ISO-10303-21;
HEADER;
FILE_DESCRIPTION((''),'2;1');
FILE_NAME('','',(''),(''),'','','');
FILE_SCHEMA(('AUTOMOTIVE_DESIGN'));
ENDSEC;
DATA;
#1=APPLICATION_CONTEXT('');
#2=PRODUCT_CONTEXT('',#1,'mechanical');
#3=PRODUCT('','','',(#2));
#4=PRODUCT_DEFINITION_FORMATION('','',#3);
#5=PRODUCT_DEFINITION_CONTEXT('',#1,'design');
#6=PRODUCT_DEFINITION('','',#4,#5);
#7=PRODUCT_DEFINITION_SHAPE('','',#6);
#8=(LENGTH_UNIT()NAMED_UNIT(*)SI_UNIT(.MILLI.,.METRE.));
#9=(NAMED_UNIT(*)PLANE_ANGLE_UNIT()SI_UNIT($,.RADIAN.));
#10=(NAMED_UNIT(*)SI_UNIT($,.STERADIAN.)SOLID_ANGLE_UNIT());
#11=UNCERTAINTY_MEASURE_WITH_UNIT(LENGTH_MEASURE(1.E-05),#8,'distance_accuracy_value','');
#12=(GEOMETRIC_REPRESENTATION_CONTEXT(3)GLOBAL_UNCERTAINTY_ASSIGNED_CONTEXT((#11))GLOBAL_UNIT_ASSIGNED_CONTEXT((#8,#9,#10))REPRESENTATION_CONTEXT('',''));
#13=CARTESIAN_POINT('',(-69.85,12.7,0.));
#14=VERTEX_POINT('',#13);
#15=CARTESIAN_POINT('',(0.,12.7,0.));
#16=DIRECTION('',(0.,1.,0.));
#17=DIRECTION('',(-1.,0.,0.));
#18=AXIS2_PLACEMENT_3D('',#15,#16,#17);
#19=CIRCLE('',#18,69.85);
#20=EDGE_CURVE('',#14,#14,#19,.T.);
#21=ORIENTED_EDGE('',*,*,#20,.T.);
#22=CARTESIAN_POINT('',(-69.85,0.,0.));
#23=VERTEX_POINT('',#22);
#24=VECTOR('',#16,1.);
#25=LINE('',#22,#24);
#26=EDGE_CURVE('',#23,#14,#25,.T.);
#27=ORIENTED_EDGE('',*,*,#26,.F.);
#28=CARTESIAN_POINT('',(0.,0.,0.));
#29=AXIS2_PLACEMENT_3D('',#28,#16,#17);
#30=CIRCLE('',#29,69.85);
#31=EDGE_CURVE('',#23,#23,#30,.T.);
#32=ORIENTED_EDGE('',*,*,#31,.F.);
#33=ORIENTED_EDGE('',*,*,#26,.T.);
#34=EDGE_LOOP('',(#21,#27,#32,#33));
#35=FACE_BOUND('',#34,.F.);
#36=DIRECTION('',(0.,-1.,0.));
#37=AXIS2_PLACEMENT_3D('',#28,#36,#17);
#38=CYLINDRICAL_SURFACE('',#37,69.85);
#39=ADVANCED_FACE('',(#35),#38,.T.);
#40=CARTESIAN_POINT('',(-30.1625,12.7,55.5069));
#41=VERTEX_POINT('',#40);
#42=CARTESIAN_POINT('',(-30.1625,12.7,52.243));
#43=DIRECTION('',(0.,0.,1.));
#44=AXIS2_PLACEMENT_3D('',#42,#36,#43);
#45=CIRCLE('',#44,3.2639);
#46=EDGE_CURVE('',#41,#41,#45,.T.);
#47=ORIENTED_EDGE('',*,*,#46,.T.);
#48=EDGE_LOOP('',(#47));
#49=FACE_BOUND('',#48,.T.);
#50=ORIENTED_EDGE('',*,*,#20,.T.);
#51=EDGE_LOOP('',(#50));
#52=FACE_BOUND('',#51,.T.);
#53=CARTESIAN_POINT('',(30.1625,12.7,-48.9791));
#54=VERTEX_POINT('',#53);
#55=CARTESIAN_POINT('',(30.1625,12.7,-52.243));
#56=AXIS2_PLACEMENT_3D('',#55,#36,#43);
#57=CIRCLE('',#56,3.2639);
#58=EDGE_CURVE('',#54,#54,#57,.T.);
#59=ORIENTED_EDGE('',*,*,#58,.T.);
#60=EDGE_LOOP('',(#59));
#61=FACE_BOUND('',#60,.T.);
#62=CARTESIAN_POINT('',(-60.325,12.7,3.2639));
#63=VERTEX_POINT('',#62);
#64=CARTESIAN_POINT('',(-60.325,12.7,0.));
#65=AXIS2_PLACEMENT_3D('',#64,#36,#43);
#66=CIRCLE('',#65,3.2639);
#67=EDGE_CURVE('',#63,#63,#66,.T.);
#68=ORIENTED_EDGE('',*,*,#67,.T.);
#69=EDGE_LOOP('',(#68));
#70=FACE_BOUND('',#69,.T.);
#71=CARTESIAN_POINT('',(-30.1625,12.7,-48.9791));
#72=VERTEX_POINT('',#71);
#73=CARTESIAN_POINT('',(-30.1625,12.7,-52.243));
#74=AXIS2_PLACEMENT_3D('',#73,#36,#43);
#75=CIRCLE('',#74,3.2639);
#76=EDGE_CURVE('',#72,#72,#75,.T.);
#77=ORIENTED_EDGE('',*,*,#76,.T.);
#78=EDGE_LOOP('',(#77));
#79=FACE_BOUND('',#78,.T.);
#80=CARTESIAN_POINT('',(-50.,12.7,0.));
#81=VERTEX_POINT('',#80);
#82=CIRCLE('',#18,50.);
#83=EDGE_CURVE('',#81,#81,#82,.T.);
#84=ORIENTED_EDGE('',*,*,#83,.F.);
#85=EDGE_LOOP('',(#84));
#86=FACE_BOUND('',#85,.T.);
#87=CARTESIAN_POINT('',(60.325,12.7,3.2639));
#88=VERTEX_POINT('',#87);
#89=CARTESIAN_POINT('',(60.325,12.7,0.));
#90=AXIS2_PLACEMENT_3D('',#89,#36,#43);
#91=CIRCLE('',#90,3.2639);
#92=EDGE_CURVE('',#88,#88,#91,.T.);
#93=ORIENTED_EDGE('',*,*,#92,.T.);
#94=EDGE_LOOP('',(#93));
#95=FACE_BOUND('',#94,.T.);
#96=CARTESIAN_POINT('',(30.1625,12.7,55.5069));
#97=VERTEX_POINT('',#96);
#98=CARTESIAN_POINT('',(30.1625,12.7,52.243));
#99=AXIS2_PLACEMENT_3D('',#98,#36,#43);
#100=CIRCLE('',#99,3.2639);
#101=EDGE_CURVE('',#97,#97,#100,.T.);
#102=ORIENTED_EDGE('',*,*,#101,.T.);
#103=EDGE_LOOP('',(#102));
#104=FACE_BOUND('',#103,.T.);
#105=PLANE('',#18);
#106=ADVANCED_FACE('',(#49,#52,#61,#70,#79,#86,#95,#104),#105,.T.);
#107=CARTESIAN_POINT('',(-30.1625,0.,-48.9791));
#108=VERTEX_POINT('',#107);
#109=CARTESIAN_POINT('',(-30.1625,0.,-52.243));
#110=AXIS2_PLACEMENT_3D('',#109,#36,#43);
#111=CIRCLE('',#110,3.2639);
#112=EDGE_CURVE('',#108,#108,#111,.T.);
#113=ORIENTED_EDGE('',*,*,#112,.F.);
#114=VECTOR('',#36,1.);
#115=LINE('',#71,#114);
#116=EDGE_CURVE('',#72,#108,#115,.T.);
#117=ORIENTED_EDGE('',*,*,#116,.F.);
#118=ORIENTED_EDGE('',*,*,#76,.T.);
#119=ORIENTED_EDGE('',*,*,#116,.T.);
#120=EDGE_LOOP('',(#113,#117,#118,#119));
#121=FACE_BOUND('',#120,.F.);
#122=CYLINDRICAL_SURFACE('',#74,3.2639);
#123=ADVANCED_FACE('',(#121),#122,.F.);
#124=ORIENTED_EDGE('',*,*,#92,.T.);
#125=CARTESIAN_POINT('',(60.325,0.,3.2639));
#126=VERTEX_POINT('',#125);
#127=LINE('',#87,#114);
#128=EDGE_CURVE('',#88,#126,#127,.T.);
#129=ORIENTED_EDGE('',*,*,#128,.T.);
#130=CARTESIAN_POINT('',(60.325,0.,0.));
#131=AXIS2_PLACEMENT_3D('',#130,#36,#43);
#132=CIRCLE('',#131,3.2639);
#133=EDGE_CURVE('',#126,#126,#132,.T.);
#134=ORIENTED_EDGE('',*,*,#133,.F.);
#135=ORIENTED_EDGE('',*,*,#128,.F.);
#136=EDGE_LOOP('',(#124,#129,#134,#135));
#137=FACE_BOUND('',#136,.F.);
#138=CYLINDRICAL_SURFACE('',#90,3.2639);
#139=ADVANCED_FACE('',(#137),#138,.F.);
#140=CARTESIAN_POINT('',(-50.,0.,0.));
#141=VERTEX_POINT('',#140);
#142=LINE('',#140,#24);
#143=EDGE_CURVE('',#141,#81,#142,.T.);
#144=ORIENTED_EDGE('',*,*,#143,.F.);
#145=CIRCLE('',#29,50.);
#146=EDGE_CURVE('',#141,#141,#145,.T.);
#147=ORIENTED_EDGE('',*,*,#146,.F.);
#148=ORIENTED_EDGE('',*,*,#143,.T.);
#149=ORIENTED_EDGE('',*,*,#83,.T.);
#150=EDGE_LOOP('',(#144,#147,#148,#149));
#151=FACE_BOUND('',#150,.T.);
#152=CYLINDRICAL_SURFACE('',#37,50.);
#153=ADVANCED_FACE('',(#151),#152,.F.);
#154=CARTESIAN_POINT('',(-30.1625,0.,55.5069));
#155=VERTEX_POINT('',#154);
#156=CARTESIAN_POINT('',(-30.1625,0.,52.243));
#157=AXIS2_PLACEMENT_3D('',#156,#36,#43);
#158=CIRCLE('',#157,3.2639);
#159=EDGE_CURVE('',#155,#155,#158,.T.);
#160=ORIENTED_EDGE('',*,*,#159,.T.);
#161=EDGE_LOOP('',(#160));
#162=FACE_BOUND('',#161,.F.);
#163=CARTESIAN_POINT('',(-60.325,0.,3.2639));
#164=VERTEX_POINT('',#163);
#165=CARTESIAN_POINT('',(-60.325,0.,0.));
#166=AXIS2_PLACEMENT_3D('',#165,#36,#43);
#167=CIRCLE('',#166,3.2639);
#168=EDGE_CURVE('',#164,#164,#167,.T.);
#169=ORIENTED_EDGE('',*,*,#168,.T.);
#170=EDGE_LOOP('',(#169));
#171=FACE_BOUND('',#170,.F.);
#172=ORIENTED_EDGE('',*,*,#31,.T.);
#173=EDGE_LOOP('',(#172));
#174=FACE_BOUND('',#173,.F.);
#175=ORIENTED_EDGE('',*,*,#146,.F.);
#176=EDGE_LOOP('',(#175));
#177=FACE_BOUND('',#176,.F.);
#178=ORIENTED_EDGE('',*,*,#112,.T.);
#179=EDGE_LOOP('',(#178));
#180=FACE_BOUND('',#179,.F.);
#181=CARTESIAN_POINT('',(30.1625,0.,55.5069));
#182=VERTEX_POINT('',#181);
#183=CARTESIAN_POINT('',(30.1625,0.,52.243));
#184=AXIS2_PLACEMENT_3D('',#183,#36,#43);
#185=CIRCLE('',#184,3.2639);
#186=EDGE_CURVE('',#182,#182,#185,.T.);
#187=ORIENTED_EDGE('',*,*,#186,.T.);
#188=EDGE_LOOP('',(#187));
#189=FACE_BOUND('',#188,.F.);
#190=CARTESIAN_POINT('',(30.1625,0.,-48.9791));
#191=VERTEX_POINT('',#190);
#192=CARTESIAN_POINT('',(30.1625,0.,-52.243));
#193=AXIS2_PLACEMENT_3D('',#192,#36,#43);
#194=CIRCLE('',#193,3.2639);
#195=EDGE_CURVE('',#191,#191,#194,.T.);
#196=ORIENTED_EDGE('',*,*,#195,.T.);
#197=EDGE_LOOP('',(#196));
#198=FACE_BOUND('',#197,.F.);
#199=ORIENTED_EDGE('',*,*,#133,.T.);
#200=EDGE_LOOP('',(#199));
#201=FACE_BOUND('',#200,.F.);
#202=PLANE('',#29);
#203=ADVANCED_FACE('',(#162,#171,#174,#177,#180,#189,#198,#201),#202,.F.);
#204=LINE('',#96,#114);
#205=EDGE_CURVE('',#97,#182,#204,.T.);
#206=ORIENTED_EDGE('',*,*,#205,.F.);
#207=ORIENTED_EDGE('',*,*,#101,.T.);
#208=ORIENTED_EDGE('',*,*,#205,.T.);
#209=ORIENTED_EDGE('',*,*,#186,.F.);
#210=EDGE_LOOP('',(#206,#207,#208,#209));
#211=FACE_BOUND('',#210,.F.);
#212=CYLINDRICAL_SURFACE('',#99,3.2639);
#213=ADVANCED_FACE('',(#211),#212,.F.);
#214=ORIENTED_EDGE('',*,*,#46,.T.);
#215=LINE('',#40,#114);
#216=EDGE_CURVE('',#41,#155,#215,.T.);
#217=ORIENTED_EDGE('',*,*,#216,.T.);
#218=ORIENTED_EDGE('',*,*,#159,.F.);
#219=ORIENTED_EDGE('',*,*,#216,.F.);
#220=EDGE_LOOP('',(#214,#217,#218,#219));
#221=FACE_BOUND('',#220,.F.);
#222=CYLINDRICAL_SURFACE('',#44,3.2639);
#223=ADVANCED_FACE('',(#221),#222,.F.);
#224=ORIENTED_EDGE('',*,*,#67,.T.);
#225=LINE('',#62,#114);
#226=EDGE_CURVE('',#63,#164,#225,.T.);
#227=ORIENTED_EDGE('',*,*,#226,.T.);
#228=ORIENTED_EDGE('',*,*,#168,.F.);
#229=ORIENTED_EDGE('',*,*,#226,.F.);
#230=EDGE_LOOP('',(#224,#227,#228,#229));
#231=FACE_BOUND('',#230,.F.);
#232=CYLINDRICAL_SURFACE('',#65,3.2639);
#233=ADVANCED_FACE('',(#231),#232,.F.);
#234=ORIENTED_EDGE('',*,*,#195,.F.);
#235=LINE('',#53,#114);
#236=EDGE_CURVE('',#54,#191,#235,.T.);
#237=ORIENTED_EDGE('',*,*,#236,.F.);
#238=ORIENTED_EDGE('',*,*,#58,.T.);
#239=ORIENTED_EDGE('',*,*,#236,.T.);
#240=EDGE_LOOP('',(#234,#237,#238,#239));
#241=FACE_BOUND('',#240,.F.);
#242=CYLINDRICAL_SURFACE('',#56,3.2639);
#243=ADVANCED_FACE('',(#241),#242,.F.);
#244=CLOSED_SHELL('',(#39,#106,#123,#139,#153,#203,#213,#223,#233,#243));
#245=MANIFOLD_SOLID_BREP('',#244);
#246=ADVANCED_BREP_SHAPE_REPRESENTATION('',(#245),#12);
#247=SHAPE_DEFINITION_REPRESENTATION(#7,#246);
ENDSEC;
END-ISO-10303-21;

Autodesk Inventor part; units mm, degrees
ref_plane "YZ Plane" through (0, 0, 0) normal (1, 0, 0) x (0, 1, 0)
ref_plane "XZ Plane" through (0, 0, 0) normal (0, 1, 0) x (-1, 0, 0)
ref_plane "XY Plane" through (0, 0, 0) normal (0, 0, 1) x (1, 0, 0)
sketch "Sketch1" plane through (0, 0, 0) normal (0, 1, 0) x (-1, 0, 0)
  circle A0 centre (0, 0) radius 50
  circle A1 centre (0, 0) radius 69.85
  dimension "d0" = 139.7
  dimension "d1" = 100
extrude "Extrusion1" add sketch "Sketch1" along normal blind 12.7
sketch "Sketch2" plane through (0, 12.7, 0) normal (0, 1, 0) x (1, 0, 0)
  circle A0 centre (0, 0) radius 69.85 projected
  line L0 (-69.85, 0) -> (-60.325, 0)
  point P0 (-30.1625, 52.243)
  point P1 (30.1625, 52.243)
  point P2 (60.325, 0)
  point P3 (30.1625, -52.243)
  point P4 (-30.1625, -52.243)
  dimension "d4" = 9.525
  dimension "d7" = 360
hole "Hole1" at (-60.325, 12.7, 0) at (-30.1625, 12.7, -52.243) at (30.1625, 12.7, -52.243) at (60.325, 12.7, 0) at (30.1625, 12.7, 52.243) at (-30.1625, 12.7, 52.243) direction (0, -1, 0) diameter 6.5278 end through all clearance for "Socket Head Cap Screw" size "1/4" standard "Ansi Unified Screw Threads"
properties part number "BearingRing"
